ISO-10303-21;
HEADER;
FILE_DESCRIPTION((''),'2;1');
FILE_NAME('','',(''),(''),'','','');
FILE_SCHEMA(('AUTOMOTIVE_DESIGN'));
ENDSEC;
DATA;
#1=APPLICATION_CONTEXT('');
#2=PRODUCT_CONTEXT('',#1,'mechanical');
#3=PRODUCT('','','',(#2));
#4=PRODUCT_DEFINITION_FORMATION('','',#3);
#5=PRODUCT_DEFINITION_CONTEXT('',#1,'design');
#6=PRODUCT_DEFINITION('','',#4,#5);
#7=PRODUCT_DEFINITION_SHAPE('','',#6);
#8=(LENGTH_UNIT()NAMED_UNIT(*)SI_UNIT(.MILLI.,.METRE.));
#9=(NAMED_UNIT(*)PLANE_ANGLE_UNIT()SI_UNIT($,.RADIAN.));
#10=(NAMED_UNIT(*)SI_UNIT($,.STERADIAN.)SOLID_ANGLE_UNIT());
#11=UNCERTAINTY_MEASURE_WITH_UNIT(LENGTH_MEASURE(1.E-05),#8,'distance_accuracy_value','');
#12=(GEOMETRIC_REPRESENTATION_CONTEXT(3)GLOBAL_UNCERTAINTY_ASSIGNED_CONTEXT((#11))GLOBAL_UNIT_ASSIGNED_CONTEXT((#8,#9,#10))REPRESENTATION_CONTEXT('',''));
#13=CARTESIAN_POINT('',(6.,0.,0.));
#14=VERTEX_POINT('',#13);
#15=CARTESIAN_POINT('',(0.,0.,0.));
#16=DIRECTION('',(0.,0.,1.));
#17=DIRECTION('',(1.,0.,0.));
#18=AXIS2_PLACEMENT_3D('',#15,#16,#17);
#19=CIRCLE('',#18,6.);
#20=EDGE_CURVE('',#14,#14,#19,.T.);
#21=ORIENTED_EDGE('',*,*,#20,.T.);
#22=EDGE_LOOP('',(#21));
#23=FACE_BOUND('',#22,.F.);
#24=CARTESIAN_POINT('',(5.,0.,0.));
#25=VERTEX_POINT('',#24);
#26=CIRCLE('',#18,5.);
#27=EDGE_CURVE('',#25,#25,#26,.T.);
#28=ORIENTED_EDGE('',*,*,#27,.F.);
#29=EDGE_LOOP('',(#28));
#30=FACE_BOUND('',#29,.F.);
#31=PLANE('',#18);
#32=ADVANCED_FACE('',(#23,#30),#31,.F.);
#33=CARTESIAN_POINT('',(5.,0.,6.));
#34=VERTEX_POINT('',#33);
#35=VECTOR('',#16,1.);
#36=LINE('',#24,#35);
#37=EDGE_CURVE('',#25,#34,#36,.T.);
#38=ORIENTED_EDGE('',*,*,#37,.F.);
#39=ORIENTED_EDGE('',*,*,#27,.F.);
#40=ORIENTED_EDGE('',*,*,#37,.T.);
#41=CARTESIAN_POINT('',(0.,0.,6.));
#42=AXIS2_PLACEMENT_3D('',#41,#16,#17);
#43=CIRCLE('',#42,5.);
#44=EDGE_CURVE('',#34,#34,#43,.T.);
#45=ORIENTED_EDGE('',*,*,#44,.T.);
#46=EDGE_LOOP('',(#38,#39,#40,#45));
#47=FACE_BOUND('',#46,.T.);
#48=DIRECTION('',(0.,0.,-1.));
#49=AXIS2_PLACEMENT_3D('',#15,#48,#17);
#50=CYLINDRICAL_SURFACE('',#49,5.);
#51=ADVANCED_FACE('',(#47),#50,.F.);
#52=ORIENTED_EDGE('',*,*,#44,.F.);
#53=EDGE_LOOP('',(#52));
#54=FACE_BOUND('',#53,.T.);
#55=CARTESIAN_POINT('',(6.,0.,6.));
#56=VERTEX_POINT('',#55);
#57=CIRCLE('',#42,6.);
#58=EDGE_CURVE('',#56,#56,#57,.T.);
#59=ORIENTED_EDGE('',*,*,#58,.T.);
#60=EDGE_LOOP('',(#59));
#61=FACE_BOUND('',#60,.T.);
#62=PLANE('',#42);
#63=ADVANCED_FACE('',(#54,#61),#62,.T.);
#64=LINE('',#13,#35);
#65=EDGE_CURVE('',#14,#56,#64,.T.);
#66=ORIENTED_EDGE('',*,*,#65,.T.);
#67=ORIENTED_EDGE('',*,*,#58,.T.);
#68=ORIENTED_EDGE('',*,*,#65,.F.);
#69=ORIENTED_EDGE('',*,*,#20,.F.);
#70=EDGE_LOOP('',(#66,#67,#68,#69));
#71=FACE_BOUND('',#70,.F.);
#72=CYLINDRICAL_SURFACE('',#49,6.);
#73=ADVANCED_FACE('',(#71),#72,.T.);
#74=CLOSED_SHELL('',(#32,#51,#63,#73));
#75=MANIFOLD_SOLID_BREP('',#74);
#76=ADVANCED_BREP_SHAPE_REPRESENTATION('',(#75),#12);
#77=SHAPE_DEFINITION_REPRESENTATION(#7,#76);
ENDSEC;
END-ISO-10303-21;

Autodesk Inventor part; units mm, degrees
ref_plane "YZ Plane" through (0, 0, 0) normal (1, 0, 0) x (0, 1, 0)
ref_plane "XZ Plane" through (0, 0, 0) normal (0, 1, 0) x (-1, 0, 0)
ref_plane "XY Plane" through (0, 0, 0) normal (0, 0, 1) x (1, 0, 0)
sketch "スケッチ1" plane through (0, 0, 0) normal (0, 0, 1) x (1, 0, 0)
  circle A0 centre (0, 0) radius 6
  circle A1 centre (0, 0) radius 5
  dimension "d0" = 12
  dimension "d1" = 10
extrude "押し出し1" add sketch "スケッチ1" along normal blind 6
properties part number "オイレス 内径10 長さ6" material "アセタール樹脂、黒"
